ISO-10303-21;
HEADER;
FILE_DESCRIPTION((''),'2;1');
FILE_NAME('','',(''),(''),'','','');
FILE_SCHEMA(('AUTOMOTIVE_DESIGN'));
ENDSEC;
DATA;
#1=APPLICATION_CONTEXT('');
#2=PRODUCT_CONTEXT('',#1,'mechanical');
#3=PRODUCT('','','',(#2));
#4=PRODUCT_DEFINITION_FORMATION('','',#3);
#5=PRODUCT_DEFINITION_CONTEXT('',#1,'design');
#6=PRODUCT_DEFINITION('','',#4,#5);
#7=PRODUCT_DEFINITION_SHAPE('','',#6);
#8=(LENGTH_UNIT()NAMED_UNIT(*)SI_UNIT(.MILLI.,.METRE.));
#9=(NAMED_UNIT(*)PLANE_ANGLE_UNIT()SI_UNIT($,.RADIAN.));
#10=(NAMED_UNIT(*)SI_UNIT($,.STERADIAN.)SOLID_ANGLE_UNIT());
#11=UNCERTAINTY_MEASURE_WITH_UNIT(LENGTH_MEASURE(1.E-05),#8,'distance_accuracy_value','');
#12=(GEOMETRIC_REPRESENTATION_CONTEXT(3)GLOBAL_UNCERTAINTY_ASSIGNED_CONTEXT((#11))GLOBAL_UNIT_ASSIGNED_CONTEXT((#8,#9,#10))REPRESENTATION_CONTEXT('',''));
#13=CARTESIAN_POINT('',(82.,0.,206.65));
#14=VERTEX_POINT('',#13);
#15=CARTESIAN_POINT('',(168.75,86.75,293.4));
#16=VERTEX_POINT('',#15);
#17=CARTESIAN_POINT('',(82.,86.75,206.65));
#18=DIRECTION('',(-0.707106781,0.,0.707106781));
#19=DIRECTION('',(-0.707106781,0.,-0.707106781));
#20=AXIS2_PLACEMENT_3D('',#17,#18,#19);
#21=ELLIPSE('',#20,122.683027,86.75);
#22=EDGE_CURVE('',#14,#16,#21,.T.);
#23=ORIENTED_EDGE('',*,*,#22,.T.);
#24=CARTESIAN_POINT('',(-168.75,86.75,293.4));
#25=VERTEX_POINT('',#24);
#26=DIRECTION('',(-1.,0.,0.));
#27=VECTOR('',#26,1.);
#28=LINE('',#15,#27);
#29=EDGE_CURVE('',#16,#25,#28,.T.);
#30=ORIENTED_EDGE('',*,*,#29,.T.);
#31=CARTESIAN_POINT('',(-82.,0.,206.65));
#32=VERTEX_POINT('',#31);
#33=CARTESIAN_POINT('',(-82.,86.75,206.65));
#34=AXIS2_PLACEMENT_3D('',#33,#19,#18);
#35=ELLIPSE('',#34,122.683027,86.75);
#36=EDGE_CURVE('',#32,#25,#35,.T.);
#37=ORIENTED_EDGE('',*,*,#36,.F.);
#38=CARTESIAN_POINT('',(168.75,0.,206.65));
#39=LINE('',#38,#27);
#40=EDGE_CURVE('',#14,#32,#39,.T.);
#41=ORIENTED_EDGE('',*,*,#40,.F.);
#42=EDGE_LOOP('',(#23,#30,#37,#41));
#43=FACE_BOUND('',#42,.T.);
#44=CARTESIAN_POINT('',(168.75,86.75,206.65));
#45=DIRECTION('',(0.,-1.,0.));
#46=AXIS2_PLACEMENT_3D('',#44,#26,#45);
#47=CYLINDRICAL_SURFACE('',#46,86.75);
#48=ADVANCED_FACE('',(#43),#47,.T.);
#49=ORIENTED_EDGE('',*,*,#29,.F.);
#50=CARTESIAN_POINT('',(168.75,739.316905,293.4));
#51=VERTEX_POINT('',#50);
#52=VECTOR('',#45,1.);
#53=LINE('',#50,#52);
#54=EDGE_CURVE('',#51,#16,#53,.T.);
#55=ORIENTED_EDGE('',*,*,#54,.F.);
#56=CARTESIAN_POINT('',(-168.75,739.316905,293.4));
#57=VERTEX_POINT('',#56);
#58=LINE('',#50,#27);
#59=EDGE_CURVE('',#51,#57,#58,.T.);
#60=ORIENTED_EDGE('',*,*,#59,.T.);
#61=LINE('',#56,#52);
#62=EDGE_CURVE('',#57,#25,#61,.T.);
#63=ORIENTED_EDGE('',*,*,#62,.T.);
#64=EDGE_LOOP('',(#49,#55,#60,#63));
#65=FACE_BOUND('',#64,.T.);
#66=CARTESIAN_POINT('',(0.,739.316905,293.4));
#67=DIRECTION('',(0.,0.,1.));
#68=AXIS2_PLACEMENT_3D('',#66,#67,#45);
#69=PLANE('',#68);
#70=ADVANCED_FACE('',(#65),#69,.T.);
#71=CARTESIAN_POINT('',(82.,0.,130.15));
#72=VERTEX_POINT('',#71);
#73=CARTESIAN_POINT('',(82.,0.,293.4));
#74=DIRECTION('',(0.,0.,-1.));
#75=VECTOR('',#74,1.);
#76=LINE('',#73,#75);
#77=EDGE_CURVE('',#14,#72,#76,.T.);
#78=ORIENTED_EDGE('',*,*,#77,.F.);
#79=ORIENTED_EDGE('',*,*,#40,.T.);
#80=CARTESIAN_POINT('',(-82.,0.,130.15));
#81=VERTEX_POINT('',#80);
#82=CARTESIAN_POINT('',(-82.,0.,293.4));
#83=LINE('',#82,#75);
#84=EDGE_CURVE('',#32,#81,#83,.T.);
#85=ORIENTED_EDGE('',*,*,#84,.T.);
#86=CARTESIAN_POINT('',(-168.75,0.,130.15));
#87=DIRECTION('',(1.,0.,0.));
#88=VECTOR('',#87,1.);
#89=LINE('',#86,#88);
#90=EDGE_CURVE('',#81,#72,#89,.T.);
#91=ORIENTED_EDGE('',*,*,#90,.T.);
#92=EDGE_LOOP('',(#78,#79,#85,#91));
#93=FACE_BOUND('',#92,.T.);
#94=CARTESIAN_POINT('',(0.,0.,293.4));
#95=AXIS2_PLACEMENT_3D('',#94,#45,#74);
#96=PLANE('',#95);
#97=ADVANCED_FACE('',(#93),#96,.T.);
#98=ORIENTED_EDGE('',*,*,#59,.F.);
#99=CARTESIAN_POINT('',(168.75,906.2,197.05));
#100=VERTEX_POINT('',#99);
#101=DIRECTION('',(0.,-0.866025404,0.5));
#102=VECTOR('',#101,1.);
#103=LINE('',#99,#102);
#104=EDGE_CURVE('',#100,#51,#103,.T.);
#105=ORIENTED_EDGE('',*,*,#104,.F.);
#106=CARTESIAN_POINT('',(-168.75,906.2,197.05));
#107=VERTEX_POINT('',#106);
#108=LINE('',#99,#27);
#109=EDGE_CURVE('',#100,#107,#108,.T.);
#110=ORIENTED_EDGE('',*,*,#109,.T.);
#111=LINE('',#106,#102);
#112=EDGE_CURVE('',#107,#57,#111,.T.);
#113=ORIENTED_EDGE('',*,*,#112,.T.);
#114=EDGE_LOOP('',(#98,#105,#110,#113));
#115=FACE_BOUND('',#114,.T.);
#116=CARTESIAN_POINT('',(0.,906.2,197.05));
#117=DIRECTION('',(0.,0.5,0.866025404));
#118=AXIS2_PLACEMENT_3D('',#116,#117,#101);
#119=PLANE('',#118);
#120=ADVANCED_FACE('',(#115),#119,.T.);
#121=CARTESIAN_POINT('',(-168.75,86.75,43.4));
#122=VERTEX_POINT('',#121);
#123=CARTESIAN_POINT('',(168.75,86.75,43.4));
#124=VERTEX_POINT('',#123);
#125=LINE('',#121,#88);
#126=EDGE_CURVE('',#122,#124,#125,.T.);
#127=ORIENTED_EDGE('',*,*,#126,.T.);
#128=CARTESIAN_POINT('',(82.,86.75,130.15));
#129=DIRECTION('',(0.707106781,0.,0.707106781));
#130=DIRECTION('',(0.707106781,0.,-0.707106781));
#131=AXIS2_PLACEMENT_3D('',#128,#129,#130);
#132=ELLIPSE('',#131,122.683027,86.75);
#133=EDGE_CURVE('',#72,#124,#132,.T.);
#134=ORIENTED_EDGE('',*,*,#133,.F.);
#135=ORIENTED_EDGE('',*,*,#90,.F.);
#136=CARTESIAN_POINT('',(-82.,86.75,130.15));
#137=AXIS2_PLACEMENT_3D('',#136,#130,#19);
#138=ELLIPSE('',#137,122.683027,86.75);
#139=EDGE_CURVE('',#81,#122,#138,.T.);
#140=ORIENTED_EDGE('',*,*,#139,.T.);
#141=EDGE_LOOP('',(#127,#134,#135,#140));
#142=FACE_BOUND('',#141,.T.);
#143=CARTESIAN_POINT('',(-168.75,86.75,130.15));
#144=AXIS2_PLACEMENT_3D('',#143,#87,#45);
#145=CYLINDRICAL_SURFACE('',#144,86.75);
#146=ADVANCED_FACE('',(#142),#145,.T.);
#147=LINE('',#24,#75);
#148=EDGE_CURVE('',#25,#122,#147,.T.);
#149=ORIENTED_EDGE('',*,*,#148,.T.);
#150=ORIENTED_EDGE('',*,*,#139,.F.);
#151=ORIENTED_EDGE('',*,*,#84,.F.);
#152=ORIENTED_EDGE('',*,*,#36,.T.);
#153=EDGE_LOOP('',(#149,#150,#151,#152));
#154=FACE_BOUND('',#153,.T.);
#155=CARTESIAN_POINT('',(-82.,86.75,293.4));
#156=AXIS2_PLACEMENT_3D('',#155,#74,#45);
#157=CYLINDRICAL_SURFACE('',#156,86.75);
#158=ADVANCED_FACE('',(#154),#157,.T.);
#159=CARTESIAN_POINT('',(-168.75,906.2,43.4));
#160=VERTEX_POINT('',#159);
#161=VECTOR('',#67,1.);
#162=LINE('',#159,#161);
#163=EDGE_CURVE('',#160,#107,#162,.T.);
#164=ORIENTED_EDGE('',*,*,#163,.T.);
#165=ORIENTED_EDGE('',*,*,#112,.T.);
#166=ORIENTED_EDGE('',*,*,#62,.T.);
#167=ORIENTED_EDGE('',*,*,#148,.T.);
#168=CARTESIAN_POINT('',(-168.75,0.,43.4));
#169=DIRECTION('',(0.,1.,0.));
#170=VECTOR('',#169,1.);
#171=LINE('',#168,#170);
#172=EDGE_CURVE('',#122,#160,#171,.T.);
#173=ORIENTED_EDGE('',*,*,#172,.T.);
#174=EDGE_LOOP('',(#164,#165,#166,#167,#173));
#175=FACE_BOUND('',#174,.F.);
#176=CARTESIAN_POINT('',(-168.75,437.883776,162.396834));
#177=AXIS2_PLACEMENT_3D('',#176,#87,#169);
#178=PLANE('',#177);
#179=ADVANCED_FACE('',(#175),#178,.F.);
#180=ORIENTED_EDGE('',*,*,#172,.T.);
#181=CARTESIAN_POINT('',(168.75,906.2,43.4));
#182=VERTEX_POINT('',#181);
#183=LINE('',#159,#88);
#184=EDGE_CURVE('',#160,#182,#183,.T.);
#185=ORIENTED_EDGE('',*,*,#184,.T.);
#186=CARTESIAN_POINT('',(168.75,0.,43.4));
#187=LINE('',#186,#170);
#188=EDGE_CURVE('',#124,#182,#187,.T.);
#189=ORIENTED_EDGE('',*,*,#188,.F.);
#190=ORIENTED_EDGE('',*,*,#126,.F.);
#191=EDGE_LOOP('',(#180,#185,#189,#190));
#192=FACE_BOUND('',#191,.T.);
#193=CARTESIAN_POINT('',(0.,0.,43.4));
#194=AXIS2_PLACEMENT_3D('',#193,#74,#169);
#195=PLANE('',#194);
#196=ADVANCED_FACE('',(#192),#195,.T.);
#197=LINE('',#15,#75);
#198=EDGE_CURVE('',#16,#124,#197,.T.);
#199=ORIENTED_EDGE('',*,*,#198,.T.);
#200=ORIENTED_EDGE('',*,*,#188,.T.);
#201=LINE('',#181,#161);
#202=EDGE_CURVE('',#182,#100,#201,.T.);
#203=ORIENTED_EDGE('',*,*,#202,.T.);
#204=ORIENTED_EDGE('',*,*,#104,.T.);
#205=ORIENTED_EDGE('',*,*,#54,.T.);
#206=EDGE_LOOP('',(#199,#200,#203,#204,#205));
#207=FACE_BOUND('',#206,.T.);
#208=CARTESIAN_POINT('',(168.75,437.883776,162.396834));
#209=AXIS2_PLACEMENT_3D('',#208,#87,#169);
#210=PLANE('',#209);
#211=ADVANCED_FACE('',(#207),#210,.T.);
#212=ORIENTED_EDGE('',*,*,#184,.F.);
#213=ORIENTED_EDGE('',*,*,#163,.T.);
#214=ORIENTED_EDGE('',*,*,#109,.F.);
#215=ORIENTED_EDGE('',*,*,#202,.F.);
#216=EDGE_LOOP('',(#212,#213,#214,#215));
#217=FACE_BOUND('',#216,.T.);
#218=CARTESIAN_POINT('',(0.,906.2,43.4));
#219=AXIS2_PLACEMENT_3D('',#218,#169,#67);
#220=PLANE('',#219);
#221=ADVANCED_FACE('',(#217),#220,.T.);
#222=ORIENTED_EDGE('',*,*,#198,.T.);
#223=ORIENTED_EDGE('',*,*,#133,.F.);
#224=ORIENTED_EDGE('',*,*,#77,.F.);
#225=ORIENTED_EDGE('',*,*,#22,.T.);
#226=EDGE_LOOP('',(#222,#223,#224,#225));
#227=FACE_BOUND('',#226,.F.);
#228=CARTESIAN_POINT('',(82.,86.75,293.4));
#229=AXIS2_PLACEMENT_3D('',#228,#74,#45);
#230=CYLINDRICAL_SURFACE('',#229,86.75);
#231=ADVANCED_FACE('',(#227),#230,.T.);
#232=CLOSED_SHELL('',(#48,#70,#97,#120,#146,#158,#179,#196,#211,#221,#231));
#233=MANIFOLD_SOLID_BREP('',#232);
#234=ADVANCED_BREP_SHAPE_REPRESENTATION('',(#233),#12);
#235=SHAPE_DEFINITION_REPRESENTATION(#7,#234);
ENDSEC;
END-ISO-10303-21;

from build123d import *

# Parameters (mm, degrees)
F2_DEPTH = 168.75
F3_R     = 86.75


with BuildPart() as f2:
    # F1 (on Right) → F2 (new body, symmetric)
    with BuildSketch(Plane.YZ):
        Polygon((0, 293.4), (0, 43.4), (906.2, 43.4), (906.2, 197.05), (739.3169046907, 293.4), align=None)
    extrude(amount=F2_DEPTH, both=True)

    # F3
    f3_edges = [f2.edges().sort_by_distance(p)[0] for p in [
        (0, 0, 293.4),
        (168.75, 0, 168.4),
        (-168.75, 0, 168.4),
        (0, 0, 43.4),
    ]]
    fillet(f3_edges, radius=F3_R)


solid = f2.part
